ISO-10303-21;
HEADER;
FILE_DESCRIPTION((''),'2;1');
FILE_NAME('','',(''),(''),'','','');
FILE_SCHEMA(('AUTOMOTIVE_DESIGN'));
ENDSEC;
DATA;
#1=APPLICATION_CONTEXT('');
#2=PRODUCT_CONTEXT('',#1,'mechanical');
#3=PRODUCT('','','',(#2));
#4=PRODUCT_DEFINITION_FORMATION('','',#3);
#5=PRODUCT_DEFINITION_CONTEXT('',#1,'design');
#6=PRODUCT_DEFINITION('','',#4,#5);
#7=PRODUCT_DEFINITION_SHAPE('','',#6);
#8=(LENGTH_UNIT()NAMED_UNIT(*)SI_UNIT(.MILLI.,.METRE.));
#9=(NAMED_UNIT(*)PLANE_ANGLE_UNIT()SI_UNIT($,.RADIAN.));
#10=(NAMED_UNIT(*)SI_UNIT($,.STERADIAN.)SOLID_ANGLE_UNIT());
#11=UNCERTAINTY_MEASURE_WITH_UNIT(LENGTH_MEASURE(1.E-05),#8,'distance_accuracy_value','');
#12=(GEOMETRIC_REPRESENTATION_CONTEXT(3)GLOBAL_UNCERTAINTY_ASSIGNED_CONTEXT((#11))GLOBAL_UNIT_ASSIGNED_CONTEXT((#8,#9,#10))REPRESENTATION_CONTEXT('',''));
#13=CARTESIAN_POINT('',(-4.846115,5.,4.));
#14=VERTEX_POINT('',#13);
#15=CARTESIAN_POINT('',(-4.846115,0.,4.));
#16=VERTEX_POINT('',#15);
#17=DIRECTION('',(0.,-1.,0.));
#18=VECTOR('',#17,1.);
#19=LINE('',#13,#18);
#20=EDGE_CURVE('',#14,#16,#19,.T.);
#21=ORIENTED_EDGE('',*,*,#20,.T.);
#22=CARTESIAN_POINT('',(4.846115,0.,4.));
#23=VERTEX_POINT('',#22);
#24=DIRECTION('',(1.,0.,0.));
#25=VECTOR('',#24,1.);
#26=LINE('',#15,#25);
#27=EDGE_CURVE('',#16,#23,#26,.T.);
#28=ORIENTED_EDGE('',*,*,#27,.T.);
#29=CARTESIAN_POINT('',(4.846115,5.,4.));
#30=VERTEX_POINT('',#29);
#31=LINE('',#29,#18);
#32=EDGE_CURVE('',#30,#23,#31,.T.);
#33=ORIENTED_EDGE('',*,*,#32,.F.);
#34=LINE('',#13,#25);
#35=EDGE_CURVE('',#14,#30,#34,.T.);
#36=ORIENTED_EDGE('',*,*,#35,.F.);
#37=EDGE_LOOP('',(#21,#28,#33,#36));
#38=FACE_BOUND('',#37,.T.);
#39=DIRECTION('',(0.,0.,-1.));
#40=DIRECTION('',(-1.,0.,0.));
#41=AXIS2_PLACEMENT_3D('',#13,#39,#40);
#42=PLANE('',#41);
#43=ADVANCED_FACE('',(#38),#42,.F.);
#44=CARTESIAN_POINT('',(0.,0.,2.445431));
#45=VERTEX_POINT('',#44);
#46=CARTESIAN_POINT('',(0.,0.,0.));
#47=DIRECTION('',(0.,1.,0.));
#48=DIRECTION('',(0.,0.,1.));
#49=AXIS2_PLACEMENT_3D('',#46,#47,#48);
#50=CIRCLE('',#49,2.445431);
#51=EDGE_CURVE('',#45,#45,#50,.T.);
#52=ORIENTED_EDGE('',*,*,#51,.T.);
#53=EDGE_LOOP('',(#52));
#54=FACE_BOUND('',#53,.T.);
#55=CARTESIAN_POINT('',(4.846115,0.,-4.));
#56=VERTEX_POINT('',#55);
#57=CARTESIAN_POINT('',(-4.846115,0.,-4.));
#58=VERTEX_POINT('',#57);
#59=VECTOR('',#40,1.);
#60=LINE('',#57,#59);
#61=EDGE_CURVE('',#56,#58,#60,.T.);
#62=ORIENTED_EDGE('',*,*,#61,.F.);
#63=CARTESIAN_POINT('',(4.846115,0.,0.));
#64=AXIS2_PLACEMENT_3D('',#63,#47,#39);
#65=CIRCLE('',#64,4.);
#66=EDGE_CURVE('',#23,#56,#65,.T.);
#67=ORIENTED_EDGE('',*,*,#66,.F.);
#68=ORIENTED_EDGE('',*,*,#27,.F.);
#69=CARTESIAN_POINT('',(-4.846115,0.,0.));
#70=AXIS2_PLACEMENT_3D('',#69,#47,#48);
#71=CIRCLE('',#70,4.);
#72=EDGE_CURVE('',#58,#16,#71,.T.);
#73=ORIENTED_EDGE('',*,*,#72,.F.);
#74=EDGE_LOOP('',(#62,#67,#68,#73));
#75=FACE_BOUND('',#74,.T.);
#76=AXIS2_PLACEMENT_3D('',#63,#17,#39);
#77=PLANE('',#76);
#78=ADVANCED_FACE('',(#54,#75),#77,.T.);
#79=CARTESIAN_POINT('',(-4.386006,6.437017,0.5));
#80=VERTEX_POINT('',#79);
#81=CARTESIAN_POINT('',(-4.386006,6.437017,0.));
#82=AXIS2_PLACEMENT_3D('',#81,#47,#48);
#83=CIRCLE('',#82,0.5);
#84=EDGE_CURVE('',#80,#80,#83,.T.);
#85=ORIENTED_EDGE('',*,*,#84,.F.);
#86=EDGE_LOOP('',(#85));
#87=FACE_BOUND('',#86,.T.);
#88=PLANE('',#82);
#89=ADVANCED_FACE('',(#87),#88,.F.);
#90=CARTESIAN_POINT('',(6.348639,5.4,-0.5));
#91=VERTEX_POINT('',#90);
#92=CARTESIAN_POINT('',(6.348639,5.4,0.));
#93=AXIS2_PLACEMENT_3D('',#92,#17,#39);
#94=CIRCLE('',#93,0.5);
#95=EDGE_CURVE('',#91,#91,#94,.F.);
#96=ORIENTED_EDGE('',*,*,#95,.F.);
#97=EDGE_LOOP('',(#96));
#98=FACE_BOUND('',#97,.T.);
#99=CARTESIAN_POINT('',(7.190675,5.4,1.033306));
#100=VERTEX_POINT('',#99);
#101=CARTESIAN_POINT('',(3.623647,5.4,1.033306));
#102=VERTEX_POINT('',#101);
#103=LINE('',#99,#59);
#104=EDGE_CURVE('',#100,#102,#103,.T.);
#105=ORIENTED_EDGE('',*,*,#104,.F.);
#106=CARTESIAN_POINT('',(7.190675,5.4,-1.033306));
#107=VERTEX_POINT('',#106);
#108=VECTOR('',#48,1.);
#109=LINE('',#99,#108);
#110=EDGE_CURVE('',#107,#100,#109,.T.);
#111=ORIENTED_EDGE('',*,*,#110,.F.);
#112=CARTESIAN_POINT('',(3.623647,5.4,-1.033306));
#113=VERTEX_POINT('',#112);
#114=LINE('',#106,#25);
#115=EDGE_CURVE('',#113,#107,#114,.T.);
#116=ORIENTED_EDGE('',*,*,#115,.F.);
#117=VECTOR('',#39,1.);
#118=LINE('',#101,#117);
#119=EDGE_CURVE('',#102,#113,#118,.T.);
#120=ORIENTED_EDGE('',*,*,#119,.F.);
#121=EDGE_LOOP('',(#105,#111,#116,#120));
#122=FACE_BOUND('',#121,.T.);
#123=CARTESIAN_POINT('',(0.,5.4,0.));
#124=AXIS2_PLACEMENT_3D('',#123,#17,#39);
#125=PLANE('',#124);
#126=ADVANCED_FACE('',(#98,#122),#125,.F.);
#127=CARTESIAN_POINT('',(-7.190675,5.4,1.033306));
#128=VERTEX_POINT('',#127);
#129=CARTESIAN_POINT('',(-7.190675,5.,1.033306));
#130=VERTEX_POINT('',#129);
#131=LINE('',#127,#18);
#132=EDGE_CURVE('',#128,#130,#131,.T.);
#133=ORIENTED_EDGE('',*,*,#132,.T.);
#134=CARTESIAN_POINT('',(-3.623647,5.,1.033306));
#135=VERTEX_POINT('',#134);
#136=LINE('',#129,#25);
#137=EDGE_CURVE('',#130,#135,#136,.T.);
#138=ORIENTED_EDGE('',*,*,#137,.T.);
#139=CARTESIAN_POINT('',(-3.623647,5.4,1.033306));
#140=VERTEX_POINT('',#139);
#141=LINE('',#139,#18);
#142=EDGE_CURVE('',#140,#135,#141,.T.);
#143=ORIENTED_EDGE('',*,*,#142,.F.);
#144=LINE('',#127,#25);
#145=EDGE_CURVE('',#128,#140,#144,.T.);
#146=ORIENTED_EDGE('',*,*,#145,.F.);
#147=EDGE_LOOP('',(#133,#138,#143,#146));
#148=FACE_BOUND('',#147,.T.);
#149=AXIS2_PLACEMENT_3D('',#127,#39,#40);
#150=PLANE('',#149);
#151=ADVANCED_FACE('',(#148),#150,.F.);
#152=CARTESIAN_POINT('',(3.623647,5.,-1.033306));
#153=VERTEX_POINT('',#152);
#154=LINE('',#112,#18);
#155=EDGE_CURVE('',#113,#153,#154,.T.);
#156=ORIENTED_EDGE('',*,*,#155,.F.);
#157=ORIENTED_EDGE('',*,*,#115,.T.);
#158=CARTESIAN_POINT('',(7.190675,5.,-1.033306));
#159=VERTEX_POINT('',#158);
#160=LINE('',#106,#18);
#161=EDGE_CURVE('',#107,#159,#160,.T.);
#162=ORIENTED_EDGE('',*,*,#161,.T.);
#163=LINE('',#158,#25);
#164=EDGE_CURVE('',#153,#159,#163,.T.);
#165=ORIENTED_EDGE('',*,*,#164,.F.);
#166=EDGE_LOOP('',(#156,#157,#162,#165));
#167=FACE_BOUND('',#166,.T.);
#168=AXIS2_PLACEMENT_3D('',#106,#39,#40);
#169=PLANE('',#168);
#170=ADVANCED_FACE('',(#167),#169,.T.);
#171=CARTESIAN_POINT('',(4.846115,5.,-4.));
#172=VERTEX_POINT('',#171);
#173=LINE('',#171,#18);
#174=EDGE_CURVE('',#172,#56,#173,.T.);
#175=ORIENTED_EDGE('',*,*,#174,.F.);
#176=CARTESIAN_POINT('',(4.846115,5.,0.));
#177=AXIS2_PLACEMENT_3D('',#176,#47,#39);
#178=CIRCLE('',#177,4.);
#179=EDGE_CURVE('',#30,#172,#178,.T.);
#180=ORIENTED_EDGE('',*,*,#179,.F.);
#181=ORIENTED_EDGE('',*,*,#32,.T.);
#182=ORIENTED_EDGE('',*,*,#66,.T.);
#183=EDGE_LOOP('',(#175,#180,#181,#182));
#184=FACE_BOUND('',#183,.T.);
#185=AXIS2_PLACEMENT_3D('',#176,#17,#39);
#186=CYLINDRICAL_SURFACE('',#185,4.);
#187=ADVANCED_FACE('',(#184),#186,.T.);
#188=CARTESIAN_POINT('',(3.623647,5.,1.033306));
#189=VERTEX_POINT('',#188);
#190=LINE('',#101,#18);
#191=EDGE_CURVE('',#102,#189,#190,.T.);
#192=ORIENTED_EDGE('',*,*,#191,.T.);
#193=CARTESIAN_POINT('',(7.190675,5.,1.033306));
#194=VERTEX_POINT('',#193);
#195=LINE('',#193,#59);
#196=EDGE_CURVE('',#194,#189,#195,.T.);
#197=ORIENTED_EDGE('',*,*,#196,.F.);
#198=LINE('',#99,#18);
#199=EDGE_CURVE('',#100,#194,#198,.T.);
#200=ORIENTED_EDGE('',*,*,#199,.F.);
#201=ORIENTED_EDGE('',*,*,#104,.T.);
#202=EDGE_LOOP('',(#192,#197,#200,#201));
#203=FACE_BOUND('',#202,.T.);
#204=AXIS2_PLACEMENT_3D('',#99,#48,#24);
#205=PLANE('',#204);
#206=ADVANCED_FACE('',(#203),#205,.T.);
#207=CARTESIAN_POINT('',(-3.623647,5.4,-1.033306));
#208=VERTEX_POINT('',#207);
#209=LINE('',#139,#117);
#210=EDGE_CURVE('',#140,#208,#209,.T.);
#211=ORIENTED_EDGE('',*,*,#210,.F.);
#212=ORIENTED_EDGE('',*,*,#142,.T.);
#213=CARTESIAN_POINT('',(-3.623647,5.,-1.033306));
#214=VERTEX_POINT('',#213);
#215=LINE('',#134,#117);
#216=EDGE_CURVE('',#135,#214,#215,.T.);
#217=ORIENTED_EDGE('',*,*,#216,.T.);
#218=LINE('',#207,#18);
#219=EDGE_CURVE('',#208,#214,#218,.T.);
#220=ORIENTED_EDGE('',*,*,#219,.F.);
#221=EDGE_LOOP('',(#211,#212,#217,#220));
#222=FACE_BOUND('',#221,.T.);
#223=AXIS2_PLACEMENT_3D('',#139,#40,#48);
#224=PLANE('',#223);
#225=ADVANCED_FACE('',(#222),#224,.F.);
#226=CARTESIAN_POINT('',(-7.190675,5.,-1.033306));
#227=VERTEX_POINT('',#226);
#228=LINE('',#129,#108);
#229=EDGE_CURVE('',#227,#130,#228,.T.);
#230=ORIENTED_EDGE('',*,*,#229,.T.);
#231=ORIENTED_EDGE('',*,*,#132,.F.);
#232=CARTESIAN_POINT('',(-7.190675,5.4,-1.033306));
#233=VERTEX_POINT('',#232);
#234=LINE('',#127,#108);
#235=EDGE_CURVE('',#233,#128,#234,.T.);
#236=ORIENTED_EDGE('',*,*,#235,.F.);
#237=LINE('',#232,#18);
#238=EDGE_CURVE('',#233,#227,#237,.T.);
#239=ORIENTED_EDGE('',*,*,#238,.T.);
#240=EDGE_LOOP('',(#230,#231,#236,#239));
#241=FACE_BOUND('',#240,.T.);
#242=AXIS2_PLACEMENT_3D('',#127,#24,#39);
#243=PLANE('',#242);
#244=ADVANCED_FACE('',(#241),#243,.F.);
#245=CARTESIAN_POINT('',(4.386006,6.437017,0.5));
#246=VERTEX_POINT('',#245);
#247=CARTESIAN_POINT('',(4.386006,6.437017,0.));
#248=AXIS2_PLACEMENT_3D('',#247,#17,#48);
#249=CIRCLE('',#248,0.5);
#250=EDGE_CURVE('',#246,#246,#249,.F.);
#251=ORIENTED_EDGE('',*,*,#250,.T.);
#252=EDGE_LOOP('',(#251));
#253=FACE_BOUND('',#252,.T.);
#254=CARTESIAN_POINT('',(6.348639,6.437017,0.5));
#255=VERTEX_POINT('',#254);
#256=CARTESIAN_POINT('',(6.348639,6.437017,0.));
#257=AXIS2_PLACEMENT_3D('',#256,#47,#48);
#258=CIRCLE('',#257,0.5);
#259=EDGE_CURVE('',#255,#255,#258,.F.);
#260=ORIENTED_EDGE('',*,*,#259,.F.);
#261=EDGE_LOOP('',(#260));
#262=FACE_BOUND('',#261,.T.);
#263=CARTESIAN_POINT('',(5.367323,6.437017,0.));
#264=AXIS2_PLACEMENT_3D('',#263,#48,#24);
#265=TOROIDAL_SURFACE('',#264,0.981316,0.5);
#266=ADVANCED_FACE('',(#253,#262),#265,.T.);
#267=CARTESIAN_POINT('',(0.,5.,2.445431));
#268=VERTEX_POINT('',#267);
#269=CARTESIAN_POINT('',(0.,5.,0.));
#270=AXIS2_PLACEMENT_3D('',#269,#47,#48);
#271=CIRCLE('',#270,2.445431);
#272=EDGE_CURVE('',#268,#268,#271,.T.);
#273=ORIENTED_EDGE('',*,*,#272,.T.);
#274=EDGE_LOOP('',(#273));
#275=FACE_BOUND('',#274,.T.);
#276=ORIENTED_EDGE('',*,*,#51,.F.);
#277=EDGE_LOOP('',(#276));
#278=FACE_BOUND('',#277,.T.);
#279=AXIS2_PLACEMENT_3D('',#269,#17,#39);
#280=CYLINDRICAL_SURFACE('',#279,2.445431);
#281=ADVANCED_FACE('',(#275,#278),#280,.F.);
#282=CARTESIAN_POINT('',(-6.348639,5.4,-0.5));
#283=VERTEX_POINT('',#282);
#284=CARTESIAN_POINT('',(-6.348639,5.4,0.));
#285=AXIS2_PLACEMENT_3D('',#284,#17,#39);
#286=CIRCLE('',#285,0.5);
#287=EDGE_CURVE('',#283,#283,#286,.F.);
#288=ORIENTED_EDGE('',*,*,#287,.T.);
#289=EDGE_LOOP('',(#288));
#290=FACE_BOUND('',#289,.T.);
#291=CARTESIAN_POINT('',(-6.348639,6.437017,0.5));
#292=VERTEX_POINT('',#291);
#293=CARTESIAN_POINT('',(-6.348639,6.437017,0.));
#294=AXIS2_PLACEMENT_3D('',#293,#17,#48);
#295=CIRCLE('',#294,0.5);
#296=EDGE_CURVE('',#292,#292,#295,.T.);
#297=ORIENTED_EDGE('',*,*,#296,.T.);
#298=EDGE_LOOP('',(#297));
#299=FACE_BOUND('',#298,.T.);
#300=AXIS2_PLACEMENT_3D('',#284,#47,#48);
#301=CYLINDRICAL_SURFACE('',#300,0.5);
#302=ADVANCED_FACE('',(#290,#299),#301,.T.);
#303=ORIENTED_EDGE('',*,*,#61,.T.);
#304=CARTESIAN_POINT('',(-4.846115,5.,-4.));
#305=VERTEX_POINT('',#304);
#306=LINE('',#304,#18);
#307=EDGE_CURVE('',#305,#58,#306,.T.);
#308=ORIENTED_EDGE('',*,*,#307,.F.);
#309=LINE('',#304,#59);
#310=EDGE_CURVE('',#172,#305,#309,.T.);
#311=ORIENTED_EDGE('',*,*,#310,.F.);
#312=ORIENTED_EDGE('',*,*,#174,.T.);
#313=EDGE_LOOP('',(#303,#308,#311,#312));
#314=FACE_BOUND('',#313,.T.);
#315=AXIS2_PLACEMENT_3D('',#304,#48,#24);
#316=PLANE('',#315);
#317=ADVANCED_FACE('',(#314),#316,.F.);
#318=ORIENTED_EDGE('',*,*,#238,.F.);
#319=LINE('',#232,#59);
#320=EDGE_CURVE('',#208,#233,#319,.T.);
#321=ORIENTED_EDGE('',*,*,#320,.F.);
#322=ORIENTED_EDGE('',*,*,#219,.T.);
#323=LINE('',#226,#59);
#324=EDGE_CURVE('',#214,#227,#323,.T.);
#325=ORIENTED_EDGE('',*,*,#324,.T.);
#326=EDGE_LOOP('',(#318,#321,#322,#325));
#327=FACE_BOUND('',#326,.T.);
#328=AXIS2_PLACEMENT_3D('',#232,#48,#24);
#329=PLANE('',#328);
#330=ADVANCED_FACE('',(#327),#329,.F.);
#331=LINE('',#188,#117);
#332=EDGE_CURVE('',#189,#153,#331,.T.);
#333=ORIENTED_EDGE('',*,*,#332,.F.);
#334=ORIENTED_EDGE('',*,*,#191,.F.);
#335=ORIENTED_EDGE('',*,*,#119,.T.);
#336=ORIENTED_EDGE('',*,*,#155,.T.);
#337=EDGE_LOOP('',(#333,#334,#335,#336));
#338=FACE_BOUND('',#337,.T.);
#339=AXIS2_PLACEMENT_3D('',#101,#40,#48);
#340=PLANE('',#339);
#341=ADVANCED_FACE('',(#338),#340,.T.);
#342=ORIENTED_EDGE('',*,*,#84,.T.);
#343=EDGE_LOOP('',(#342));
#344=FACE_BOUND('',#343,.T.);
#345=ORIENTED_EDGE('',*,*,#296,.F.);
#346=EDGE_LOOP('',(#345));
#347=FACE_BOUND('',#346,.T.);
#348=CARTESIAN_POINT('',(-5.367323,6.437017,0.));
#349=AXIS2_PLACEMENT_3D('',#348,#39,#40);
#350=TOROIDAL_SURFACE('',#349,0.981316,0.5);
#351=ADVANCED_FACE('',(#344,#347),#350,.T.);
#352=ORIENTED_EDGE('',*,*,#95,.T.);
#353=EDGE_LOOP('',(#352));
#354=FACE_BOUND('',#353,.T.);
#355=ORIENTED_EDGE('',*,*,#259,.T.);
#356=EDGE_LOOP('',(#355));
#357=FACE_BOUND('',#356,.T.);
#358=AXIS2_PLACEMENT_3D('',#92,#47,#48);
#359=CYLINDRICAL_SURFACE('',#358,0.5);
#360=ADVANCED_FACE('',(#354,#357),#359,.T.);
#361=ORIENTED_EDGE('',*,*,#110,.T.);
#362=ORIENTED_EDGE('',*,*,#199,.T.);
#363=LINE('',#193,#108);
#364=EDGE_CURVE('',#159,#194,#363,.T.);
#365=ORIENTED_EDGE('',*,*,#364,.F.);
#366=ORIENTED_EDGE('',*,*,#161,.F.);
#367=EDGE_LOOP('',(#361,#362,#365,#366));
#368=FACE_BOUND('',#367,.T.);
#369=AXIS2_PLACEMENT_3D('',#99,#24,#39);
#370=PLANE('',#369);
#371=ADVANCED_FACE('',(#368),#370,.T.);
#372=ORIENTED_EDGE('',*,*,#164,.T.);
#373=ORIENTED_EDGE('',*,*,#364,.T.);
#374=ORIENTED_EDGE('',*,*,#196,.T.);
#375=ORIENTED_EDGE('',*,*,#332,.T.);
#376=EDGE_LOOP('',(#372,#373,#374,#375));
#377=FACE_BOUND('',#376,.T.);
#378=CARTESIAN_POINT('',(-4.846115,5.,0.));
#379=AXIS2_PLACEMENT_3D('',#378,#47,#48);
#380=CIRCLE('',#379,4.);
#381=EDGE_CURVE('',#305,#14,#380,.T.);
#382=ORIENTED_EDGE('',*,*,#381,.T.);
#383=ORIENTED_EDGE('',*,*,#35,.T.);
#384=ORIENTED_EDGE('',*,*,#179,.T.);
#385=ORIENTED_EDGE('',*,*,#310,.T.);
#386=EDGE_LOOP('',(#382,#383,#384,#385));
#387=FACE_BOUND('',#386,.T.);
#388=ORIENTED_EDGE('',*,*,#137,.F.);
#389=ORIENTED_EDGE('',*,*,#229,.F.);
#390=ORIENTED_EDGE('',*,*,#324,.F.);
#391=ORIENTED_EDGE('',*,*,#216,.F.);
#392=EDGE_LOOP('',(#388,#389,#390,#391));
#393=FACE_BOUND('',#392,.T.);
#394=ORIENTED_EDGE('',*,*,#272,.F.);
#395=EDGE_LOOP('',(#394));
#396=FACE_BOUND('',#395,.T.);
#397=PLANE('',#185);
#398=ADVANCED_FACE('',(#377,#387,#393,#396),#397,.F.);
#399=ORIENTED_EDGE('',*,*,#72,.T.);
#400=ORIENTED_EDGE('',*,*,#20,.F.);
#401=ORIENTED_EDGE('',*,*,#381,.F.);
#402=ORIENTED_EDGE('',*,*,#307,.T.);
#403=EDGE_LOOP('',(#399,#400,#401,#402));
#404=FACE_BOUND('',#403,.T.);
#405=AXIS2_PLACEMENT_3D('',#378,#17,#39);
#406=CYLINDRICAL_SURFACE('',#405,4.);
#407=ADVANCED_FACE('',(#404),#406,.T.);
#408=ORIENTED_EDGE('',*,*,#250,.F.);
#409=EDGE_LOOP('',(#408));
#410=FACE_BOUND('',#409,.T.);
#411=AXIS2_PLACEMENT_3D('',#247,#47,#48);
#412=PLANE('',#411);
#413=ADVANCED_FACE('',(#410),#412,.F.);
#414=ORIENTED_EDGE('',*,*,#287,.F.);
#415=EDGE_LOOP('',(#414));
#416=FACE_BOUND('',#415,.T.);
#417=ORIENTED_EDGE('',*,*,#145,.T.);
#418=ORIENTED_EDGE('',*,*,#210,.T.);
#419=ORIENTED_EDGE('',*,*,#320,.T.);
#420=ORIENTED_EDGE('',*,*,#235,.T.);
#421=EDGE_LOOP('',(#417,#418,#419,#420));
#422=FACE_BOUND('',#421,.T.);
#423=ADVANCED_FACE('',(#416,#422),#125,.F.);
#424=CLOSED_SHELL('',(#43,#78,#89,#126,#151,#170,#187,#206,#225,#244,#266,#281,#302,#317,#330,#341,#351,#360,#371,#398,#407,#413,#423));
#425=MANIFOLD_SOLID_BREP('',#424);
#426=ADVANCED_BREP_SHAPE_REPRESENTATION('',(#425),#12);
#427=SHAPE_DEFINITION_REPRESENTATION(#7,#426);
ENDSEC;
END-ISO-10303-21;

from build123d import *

# Parameters (mm, degrees)
SKETCH1_R           = 2.44543137
BOSS_EXTRUDE1_DEPTH = 5
SKETCH2_W           = 3.567027941
SKETCH2_H           = 2.066611426
BOSS_EXTRUDE2_DEPTH = 0.4
SWEEP2_PROFILE_R    = 0.5


with BuildPart() as part:
    # Sketch1 → Boss-Extrude1 (new body)
    with BuildSketch(Plane(origin=(0, 0, 0), x_dir=(1, 0, 0), z_dir=(0, 1, 0))):
        with BuildLine():
            Line((-4.846115072, 4), (4.846115072, 4))
            ThreePointArc((4.846115072, 4), (8.846115072, 0), (4.846115072, -4))
            Line((4.846115072, -4), (-4.846115072, -4))
            ThreePointArc((-4.846115072, -4), (-8.846115072, 0), (-4.846115072, 4))
        make_face()
        Circle(SKETCH1_R, mode=Mode.SUBTRACT)
    extrude(amount=BOSS_EXTRUDE1_DEPTH)

    # Sketch2 → Boss-Extrude2 (add)
    with BuildSketch(Plane(origin=(0, 5, 0), x_dir=(1, 0, 0), z_dir=(0, 1, 0))):
        with Locations((-5.407161402, 0)):
            Rectangle(SKETCH2_W, SKETCH2_H)
    boss_extrude2 = extrude(amount=BOSS_EXTRUDE2_DEPTH)

    # Sweep2: sweep along a path in Sketch3
    with BuildLine(Plane.XY) as sweep2_path:
        Line((-6.34863908, 5.4), (-6.34863908, 6.437017348))
        ThreePointArc((-6.34863908, 6.437017348), (-5.367322582, 7.418333845), (-4.386006084, 6.437017348))
    # Sweep2 profile (on start of the path) → Sweep2 (sweep)
    with BuildSketch(Plane(origin=(-6.34863908, 5.4, 0), x_dir=(0, 0, 1), z_dir=(0, 1, 0))):
        Circle(SWEEP2_PROFILE_R)
    sweep2 = sweep(path=sweep2_path.line)

    # Mirror1: Boss-Extrude2, Sweep2 across plane
    add(boss_extrude2.mirror(Plane(origin=(0, 0, 0), x_dir=(0, 0, 1), z_dir=(1, 0, 0))))
    add(sweep2.mirror(Plane(origin=(0, 0, 0), x_dir=(0, 0, 1), z_dir=(1, 0, 0))))


solid = part.part
